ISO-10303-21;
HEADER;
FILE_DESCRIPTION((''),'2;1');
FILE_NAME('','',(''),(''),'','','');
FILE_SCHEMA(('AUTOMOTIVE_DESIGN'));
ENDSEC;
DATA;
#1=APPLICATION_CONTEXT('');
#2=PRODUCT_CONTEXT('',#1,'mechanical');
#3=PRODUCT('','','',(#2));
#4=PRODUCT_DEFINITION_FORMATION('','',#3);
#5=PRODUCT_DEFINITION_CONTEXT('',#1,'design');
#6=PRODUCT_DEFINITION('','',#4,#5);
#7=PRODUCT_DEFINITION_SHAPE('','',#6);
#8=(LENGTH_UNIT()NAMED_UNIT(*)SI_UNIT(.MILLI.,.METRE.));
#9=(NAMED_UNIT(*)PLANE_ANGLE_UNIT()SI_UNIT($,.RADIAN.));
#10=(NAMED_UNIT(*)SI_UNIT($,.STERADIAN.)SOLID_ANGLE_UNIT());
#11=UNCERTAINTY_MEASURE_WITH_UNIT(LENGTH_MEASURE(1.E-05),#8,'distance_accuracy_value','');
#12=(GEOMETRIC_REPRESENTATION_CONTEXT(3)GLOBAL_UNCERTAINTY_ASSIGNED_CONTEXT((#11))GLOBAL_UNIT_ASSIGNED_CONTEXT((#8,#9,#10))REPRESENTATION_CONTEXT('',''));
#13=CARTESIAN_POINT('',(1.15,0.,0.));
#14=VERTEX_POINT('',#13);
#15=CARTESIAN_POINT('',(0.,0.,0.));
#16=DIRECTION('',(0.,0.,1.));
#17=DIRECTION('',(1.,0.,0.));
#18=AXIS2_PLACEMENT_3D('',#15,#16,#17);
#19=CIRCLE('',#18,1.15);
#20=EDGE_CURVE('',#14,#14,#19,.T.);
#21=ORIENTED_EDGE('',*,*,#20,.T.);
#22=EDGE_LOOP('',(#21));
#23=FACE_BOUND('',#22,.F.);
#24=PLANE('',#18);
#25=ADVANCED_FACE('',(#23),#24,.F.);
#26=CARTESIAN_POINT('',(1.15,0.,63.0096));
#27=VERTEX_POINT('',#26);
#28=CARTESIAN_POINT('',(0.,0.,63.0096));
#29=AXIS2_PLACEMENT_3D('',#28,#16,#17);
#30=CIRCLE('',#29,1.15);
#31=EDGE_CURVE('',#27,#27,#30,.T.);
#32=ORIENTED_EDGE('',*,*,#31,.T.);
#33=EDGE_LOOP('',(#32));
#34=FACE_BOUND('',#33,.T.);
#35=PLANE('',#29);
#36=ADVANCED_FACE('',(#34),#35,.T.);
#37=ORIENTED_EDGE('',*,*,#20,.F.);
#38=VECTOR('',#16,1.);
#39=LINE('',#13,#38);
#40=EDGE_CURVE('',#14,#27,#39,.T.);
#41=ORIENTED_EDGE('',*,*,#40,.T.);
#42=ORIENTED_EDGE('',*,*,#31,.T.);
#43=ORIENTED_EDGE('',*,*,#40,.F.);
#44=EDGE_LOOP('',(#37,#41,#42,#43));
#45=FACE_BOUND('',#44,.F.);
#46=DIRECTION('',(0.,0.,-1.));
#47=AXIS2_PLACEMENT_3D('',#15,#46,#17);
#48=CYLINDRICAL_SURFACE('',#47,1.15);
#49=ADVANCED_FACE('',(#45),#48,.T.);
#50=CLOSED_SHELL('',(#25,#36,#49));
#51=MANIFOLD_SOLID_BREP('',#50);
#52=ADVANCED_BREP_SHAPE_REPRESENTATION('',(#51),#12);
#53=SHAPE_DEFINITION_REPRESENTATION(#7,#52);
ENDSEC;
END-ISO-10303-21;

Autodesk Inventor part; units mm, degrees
ref_plane "YZ Plane" through (0, 0, 0) normal (1, 0, 0) x (0, 1, 0)
ref_plane "XZ Plane" through (0, 0, 0) normal (0, 1, 0) x (-1, 0, 0)
ref_plane "XY Plane" through (0, 0, 0) normal (0, 0, 1) x (1, 0, 0)
sketch "Sketch1" plane through (0, 0, 0) normal (0, 0, 1) x (1, 0, 0)
  circle A0 centre (0, 0) radius 1.15
  dimension "d0" = 2.3
extrude "Extrusion1" add sketch "Sketch1" along normal blind 63.0096
equation "\"d0\" = FlipperRodDia"
equation "\"d1\" = FlipperRodLength"
equation "\"FlipperRodDia\" = 2.3"
equation "\"FlipperRodLength\" = 63.009619"
properties part number "FlipperRod" material "CFRP"
